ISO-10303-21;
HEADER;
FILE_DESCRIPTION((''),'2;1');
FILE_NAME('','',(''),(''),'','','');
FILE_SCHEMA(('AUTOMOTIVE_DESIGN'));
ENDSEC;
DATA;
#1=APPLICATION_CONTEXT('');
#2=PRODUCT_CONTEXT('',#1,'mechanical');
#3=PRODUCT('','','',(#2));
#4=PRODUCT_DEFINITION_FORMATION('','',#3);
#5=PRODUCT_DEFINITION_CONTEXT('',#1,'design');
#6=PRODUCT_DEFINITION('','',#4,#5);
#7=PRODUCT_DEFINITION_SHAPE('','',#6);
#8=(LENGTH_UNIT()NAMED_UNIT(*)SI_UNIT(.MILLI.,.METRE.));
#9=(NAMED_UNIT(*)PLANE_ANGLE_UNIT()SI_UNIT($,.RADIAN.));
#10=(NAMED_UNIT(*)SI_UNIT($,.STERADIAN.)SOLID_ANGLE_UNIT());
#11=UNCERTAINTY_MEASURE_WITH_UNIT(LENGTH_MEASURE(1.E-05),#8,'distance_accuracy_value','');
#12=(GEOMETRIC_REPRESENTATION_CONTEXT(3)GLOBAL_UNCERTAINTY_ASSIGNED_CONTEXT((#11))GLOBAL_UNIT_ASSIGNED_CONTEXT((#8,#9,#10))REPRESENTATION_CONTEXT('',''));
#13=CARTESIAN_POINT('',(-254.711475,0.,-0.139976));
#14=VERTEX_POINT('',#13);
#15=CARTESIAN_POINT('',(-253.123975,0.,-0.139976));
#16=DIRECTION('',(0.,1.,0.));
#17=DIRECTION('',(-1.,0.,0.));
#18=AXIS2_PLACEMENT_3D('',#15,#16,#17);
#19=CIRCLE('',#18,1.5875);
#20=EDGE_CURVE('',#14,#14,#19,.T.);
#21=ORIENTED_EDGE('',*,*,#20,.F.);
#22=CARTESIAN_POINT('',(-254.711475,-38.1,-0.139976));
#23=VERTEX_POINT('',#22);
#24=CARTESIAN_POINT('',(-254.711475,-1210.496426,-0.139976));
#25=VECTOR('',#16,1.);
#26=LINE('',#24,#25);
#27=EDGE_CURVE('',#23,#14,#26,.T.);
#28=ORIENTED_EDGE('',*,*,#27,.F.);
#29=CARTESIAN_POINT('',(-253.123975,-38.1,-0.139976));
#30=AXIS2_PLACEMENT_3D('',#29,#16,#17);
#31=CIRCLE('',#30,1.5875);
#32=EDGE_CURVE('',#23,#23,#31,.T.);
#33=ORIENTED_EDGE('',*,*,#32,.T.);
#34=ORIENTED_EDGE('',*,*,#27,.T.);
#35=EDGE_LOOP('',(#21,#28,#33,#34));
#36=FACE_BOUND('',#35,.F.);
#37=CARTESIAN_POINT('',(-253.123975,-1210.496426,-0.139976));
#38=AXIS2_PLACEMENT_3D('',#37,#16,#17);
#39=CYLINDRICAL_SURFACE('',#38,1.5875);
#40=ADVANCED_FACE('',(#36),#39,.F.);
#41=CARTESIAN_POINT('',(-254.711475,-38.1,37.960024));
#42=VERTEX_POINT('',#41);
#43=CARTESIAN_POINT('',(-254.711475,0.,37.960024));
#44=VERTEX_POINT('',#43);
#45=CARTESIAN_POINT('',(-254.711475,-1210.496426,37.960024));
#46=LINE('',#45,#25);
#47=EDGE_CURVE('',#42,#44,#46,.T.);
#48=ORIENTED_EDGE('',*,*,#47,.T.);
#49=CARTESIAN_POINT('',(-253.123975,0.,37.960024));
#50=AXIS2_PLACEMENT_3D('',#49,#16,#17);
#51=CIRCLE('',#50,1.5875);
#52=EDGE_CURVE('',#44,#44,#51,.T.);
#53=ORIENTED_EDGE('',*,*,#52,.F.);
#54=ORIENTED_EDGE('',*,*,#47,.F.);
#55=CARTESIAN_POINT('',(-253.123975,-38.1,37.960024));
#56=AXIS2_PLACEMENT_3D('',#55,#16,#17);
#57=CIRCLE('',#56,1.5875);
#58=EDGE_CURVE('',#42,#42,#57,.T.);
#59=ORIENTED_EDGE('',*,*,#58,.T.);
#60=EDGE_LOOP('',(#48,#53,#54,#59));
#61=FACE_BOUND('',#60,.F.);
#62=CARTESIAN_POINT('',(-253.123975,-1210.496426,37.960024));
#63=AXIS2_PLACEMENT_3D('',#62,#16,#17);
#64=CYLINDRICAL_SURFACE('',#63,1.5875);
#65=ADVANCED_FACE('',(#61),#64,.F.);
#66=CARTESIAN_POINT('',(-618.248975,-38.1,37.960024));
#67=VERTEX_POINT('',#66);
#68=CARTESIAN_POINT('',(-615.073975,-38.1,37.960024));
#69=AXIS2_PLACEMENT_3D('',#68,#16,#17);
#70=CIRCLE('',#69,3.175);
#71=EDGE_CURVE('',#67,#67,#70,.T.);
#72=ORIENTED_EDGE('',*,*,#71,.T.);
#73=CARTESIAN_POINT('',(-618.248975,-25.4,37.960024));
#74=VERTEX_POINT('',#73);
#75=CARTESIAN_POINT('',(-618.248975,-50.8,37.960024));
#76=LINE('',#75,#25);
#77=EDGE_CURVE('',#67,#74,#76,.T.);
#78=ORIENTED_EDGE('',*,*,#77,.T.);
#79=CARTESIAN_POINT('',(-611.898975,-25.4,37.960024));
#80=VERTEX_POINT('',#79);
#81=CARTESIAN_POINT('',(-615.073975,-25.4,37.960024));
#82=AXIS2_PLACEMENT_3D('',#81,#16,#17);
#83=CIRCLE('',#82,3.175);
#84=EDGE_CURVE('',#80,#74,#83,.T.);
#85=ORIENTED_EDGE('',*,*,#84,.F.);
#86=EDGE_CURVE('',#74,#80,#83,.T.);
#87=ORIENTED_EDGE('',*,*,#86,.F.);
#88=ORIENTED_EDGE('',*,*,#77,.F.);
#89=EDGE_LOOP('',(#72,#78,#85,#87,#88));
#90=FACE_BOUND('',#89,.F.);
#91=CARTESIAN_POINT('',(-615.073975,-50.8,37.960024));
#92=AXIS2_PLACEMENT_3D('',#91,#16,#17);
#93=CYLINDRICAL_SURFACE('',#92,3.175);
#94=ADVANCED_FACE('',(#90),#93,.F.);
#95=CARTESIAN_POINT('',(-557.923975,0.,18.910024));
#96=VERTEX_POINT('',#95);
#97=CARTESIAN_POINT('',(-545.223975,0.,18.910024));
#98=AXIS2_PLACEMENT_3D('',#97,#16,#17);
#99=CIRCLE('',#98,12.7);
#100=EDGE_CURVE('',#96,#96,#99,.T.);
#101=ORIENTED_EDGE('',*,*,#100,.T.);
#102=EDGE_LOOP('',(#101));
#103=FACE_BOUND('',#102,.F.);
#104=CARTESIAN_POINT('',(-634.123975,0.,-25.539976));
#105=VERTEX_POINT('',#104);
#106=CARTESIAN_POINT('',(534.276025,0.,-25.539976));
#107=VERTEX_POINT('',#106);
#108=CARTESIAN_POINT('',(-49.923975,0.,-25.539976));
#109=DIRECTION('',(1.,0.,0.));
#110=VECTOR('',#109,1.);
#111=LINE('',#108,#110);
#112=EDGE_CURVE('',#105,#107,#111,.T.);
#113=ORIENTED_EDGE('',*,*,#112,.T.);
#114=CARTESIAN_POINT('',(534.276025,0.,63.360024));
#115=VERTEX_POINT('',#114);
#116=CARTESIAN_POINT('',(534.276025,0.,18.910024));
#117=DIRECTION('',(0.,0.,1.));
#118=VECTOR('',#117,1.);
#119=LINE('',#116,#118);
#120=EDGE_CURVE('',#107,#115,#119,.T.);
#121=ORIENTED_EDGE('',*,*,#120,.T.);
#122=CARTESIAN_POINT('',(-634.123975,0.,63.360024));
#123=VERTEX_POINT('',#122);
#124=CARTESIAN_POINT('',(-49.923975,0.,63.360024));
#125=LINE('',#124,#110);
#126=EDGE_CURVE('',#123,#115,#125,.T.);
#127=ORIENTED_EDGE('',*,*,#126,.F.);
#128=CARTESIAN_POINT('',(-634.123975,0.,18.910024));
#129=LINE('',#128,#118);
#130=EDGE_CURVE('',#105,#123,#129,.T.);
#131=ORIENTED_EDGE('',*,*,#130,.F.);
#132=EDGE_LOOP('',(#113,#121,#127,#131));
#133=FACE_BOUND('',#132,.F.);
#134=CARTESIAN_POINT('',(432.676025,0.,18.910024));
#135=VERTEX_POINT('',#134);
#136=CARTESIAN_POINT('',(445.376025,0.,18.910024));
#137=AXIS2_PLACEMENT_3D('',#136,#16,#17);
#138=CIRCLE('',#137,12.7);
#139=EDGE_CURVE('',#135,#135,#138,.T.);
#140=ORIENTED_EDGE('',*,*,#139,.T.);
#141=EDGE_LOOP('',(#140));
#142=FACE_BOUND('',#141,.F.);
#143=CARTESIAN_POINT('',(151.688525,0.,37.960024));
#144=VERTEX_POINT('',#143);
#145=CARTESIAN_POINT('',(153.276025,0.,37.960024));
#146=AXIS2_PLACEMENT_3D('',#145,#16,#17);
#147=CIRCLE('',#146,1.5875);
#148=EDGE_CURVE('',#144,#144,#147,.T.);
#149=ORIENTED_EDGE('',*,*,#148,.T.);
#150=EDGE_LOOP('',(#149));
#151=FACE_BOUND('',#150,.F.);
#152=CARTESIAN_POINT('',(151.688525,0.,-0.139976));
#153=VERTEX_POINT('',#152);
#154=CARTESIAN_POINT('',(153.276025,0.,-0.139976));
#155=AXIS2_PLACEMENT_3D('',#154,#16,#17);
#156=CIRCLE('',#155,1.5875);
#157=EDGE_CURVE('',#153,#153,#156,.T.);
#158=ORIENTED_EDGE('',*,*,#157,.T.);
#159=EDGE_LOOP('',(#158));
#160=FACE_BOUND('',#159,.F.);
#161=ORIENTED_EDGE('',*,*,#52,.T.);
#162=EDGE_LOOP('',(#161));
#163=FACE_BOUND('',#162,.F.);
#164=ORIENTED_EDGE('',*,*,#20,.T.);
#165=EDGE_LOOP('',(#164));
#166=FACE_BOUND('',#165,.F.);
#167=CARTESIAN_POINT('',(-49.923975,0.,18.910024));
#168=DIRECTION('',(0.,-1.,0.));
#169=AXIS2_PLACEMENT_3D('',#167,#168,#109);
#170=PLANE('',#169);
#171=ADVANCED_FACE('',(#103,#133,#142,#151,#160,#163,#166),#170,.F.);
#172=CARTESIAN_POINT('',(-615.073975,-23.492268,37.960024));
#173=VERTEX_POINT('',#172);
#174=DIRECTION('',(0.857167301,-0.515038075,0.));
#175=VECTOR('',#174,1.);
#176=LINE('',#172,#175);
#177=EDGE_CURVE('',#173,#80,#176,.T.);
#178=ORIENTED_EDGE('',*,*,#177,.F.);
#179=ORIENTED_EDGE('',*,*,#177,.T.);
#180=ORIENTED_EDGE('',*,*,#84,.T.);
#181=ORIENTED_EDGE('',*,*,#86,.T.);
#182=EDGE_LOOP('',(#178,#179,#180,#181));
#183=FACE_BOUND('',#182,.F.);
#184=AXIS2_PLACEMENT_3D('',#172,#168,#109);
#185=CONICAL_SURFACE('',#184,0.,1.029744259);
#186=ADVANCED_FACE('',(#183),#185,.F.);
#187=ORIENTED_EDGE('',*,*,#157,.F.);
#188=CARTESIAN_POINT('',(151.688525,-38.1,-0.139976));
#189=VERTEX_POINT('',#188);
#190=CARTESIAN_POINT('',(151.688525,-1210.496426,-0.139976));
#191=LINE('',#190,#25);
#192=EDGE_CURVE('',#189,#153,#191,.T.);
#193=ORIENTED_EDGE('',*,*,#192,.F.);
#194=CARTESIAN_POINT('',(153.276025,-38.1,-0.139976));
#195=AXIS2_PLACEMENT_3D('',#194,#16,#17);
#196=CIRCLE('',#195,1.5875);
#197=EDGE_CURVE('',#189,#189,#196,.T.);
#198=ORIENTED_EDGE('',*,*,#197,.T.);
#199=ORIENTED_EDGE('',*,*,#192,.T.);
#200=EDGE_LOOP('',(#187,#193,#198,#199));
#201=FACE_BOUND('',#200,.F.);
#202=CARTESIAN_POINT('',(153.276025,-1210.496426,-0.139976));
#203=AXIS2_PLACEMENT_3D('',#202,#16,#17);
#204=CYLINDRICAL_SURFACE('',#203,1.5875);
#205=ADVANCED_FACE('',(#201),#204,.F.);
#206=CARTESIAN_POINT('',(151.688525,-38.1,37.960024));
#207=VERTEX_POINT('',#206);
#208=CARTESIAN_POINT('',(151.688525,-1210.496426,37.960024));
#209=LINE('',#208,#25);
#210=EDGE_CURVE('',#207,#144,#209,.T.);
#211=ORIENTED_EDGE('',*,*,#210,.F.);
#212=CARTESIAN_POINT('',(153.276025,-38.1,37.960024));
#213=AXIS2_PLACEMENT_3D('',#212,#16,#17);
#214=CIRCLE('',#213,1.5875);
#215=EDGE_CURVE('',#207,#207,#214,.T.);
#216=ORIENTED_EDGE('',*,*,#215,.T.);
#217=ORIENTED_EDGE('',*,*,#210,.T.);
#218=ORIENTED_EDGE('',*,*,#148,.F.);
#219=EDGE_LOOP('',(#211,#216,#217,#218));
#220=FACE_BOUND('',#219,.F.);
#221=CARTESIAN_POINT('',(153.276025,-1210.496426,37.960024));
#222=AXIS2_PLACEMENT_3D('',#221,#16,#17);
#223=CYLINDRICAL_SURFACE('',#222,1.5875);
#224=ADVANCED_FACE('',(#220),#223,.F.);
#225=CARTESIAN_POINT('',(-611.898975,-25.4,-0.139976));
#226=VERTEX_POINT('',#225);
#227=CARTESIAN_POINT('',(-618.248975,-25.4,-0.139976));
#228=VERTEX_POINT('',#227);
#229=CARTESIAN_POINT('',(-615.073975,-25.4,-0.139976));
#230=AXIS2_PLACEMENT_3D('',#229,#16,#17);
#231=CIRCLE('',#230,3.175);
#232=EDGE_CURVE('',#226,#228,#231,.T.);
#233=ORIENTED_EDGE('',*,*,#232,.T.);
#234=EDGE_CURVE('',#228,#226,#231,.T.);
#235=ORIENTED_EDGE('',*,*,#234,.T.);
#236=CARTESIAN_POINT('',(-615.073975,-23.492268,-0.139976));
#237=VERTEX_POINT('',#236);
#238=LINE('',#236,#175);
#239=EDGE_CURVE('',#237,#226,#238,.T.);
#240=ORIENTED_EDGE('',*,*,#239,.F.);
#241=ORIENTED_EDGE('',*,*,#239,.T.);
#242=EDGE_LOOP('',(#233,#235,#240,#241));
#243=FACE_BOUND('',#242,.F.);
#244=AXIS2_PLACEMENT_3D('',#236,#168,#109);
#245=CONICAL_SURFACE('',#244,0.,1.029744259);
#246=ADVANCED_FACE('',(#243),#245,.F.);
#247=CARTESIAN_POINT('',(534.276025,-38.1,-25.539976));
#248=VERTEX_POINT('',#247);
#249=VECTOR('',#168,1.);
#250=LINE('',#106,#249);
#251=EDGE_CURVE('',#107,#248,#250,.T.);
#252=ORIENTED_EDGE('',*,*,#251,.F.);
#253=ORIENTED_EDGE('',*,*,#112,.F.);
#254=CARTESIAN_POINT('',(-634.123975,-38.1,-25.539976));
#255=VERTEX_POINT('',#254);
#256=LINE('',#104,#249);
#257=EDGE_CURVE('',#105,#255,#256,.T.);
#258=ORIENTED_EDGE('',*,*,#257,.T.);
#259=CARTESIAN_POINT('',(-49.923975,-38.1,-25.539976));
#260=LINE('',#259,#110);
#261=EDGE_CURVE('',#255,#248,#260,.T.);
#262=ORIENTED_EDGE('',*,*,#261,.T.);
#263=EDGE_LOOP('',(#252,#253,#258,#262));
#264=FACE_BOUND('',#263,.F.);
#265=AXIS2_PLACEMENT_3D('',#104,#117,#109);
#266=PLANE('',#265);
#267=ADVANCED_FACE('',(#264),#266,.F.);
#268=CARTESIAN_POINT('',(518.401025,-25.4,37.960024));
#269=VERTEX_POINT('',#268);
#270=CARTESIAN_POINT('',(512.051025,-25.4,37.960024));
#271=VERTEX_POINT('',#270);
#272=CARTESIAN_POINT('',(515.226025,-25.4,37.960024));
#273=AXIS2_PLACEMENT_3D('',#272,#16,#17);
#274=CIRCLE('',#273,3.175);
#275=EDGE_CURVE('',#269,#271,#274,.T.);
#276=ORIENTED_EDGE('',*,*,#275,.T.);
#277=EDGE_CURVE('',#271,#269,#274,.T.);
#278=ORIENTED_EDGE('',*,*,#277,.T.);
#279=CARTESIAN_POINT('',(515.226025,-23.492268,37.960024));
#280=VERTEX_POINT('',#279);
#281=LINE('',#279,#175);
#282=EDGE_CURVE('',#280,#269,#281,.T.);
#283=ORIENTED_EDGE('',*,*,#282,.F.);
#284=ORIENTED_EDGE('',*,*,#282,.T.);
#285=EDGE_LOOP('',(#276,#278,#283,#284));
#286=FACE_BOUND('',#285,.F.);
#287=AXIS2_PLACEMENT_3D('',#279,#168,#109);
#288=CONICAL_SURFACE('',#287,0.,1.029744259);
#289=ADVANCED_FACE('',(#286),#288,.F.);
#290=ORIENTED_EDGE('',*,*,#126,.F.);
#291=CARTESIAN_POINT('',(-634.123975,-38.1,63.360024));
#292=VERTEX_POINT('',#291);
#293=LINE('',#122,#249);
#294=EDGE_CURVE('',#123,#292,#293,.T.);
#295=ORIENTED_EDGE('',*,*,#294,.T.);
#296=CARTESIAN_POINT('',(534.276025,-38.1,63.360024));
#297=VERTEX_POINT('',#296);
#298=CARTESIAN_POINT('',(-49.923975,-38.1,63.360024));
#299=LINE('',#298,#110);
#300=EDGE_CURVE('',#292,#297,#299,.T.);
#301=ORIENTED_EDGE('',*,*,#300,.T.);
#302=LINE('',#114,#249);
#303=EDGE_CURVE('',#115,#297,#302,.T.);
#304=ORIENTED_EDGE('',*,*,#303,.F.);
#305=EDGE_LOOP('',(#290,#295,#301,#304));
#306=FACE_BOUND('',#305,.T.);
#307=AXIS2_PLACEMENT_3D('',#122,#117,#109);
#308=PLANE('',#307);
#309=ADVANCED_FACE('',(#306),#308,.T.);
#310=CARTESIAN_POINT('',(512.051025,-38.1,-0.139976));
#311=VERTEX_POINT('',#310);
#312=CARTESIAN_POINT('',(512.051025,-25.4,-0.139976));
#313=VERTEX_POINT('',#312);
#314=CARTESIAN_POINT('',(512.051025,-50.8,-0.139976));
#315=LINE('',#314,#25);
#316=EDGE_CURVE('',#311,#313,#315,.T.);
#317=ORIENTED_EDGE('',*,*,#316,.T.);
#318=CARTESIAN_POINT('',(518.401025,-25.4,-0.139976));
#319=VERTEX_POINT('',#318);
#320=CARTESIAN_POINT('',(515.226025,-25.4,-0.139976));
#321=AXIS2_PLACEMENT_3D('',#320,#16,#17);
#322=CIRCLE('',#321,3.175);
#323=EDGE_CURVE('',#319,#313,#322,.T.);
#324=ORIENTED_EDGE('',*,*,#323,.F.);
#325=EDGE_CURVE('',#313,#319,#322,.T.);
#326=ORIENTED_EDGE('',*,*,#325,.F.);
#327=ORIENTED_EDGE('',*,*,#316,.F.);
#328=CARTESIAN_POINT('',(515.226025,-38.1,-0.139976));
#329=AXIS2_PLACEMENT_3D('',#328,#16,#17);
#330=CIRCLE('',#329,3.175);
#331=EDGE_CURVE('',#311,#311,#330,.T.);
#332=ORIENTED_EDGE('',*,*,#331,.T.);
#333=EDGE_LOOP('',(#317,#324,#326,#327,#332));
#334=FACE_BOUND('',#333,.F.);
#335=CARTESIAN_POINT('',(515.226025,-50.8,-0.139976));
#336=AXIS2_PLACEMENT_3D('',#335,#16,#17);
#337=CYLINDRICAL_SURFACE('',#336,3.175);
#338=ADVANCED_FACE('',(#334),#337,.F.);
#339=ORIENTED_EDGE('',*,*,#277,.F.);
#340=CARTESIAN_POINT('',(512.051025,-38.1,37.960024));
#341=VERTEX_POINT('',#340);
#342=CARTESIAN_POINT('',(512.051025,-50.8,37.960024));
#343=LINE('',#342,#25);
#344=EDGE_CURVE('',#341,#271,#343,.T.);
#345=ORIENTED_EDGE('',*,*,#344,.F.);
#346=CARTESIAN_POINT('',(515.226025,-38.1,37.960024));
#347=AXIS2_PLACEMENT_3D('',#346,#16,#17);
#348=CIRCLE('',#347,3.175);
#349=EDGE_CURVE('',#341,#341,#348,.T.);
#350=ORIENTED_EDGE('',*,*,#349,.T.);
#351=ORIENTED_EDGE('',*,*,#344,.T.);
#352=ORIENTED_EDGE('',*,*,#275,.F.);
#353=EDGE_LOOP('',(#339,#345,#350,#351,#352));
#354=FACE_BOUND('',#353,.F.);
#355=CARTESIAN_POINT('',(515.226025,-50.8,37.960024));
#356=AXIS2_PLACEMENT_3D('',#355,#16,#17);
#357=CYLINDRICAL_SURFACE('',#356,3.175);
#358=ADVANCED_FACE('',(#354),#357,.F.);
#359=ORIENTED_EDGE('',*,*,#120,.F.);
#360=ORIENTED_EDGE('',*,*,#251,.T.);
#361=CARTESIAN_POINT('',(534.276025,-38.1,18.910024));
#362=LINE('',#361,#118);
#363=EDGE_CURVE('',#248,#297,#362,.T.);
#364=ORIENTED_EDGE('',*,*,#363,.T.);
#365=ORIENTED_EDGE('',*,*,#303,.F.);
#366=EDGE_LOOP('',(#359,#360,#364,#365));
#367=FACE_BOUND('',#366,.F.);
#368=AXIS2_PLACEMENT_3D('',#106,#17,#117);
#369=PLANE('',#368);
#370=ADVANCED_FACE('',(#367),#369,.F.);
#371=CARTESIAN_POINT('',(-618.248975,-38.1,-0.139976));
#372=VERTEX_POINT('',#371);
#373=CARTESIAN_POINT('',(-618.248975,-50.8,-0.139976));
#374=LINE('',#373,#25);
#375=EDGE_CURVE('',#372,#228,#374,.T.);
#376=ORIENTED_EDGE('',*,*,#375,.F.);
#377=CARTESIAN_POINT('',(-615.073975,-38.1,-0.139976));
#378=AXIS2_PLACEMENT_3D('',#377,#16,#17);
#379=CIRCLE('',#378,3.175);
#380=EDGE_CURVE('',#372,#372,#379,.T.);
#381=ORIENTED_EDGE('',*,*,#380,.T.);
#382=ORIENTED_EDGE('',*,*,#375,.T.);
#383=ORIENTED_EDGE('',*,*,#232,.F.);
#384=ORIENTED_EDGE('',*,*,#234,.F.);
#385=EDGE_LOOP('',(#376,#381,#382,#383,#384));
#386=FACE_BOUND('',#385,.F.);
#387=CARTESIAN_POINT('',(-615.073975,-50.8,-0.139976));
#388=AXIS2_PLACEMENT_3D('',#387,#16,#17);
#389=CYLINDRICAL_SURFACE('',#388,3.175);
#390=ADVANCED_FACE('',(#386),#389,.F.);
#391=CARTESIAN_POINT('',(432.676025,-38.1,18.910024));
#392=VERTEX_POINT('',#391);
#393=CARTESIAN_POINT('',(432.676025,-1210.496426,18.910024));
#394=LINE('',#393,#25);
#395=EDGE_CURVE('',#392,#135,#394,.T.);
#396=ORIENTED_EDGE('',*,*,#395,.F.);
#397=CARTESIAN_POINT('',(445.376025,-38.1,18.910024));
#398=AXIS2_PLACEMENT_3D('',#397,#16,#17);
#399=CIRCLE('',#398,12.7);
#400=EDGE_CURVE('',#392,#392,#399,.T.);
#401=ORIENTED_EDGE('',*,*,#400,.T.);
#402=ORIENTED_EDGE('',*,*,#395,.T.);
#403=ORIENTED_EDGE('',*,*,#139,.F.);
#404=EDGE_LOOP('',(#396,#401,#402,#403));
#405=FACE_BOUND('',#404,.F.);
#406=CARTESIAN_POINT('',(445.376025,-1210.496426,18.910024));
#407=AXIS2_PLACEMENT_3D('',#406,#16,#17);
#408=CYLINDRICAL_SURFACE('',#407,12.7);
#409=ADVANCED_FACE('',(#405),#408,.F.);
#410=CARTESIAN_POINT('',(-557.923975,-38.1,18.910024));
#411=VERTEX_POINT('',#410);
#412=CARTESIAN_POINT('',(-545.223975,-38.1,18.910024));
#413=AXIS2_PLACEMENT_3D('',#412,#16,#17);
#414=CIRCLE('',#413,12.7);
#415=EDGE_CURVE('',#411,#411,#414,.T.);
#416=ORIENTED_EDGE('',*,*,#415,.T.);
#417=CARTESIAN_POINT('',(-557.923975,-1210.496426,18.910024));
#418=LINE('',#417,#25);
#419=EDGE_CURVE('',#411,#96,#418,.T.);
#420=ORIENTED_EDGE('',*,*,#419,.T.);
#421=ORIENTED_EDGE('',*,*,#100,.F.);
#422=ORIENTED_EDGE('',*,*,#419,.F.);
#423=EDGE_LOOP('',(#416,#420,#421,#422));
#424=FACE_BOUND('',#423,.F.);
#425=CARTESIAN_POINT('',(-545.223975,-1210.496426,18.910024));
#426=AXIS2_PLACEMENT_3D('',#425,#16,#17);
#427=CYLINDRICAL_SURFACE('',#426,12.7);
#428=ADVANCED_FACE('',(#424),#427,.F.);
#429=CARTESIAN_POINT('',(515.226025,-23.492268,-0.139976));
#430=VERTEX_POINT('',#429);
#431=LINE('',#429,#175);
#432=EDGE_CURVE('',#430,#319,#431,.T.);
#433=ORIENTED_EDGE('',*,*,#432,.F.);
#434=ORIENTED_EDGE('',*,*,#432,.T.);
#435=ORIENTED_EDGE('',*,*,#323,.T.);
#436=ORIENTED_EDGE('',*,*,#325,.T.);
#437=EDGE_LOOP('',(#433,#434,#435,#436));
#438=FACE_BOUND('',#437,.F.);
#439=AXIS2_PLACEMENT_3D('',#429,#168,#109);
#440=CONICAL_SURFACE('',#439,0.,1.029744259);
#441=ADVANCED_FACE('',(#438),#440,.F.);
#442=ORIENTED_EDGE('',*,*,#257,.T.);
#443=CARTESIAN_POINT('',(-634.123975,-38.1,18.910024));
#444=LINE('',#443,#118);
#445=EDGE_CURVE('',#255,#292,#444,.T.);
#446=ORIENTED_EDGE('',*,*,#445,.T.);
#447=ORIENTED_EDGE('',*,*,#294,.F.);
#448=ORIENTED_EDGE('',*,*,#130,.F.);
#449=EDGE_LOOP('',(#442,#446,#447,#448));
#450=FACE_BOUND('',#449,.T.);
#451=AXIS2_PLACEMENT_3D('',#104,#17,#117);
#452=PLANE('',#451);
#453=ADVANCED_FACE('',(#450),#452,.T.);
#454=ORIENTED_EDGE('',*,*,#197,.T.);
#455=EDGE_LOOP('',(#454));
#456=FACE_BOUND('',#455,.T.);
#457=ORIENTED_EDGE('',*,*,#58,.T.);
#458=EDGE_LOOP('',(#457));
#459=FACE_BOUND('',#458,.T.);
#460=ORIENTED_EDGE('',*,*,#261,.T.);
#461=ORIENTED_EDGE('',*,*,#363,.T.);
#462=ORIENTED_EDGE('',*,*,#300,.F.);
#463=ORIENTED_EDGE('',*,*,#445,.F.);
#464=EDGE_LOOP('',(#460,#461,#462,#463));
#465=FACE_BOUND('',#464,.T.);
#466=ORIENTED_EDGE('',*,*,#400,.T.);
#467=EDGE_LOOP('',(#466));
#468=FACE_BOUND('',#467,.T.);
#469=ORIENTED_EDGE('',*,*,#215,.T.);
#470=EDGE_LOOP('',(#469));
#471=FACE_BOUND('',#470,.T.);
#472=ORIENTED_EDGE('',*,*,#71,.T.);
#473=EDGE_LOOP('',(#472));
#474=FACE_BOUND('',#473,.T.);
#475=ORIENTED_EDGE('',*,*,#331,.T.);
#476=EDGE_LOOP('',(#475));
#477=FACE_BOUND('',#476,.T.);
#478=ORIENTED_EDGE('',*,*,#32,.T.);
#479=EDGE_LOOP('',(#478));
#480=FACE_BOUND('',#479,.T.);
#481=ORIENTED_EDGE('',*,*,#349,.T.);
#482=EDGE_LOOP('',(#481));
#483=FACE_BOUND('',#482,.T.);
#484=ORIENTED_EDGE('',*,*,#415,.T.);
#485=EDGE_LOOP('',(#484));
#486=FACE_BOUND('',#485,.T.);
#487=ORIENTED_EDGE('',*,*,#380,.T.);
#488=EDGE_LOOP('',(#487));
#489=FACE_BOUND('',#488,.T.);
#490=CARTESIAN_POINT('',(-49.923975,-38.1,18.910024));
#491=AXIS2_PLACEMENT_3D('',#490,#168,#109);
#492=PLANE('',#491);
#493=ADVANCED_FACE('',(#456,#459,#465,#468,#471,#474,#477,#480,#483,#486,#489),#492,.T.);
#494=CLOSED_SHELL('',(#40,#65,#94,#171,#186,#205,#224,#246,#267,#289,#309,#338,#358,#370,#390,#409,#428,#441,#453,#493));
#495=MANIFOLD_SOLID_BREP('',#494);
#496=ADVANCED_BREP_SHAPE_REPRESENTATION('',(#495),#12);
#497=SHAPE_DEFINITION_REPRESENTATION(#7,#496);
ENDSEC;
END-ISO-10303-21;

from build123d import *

# Parameters (mm, degrees)
F0_W     = 1168.4
F0_H     = 88.9
F1_DEPTH = 38.1
F3_D     = 6.35
F3_DEPTH = 12.7
F3_TIP   = 1.9077324654
F5_D     = 25.4
F7_D     = 3.175


with BuildPart() as f1:
    # F0 (on Front) → F1 (new body)
    with BuildSketch(Plane.XZ):
        with Locations((-49.923974567, 18.9100238495)):
            Rectangle(F0_W, F0_H)
    extrude(amount=F1_DEPTH)

    # F3
    with Locations(Plane.XZ.offset(38.1)):
        with Locations((515.226025433, 37.9600238495), (515.226025433, -0.1399761505), (-615.073974567, 37.9600238495), (-615.073974567, -0.1399761505)):
            Hole(F3_D / 2, depth=F3_DEPTH)
            with Locations((0, 0, -(F3_DEPTH + F3_TIP / 2))):  # 118° drill point
                Cone(0, F3_D / 2, F3_TIP, mode=Mode.SUBTRACT)

    # F5 (through all)
    with Locations(Plane.XZ.offset(38.1)):
        with Locations((-545.223974567, 18.9100238495), (445.376025433, 18.9100238495)):
            Hole(F5_D / 2)

    # F7 (through all)
    with Locations(Plane.XZ.offset(38.1)):
        with Locations((-253.123974567, 37.9600238495), (-253.123974567, -0.1399761505), (153.276025433, 37.9600238495), (153.276025433, -0.1399761505)):
            Hole(F7_D / 2)


solid = f1.part
